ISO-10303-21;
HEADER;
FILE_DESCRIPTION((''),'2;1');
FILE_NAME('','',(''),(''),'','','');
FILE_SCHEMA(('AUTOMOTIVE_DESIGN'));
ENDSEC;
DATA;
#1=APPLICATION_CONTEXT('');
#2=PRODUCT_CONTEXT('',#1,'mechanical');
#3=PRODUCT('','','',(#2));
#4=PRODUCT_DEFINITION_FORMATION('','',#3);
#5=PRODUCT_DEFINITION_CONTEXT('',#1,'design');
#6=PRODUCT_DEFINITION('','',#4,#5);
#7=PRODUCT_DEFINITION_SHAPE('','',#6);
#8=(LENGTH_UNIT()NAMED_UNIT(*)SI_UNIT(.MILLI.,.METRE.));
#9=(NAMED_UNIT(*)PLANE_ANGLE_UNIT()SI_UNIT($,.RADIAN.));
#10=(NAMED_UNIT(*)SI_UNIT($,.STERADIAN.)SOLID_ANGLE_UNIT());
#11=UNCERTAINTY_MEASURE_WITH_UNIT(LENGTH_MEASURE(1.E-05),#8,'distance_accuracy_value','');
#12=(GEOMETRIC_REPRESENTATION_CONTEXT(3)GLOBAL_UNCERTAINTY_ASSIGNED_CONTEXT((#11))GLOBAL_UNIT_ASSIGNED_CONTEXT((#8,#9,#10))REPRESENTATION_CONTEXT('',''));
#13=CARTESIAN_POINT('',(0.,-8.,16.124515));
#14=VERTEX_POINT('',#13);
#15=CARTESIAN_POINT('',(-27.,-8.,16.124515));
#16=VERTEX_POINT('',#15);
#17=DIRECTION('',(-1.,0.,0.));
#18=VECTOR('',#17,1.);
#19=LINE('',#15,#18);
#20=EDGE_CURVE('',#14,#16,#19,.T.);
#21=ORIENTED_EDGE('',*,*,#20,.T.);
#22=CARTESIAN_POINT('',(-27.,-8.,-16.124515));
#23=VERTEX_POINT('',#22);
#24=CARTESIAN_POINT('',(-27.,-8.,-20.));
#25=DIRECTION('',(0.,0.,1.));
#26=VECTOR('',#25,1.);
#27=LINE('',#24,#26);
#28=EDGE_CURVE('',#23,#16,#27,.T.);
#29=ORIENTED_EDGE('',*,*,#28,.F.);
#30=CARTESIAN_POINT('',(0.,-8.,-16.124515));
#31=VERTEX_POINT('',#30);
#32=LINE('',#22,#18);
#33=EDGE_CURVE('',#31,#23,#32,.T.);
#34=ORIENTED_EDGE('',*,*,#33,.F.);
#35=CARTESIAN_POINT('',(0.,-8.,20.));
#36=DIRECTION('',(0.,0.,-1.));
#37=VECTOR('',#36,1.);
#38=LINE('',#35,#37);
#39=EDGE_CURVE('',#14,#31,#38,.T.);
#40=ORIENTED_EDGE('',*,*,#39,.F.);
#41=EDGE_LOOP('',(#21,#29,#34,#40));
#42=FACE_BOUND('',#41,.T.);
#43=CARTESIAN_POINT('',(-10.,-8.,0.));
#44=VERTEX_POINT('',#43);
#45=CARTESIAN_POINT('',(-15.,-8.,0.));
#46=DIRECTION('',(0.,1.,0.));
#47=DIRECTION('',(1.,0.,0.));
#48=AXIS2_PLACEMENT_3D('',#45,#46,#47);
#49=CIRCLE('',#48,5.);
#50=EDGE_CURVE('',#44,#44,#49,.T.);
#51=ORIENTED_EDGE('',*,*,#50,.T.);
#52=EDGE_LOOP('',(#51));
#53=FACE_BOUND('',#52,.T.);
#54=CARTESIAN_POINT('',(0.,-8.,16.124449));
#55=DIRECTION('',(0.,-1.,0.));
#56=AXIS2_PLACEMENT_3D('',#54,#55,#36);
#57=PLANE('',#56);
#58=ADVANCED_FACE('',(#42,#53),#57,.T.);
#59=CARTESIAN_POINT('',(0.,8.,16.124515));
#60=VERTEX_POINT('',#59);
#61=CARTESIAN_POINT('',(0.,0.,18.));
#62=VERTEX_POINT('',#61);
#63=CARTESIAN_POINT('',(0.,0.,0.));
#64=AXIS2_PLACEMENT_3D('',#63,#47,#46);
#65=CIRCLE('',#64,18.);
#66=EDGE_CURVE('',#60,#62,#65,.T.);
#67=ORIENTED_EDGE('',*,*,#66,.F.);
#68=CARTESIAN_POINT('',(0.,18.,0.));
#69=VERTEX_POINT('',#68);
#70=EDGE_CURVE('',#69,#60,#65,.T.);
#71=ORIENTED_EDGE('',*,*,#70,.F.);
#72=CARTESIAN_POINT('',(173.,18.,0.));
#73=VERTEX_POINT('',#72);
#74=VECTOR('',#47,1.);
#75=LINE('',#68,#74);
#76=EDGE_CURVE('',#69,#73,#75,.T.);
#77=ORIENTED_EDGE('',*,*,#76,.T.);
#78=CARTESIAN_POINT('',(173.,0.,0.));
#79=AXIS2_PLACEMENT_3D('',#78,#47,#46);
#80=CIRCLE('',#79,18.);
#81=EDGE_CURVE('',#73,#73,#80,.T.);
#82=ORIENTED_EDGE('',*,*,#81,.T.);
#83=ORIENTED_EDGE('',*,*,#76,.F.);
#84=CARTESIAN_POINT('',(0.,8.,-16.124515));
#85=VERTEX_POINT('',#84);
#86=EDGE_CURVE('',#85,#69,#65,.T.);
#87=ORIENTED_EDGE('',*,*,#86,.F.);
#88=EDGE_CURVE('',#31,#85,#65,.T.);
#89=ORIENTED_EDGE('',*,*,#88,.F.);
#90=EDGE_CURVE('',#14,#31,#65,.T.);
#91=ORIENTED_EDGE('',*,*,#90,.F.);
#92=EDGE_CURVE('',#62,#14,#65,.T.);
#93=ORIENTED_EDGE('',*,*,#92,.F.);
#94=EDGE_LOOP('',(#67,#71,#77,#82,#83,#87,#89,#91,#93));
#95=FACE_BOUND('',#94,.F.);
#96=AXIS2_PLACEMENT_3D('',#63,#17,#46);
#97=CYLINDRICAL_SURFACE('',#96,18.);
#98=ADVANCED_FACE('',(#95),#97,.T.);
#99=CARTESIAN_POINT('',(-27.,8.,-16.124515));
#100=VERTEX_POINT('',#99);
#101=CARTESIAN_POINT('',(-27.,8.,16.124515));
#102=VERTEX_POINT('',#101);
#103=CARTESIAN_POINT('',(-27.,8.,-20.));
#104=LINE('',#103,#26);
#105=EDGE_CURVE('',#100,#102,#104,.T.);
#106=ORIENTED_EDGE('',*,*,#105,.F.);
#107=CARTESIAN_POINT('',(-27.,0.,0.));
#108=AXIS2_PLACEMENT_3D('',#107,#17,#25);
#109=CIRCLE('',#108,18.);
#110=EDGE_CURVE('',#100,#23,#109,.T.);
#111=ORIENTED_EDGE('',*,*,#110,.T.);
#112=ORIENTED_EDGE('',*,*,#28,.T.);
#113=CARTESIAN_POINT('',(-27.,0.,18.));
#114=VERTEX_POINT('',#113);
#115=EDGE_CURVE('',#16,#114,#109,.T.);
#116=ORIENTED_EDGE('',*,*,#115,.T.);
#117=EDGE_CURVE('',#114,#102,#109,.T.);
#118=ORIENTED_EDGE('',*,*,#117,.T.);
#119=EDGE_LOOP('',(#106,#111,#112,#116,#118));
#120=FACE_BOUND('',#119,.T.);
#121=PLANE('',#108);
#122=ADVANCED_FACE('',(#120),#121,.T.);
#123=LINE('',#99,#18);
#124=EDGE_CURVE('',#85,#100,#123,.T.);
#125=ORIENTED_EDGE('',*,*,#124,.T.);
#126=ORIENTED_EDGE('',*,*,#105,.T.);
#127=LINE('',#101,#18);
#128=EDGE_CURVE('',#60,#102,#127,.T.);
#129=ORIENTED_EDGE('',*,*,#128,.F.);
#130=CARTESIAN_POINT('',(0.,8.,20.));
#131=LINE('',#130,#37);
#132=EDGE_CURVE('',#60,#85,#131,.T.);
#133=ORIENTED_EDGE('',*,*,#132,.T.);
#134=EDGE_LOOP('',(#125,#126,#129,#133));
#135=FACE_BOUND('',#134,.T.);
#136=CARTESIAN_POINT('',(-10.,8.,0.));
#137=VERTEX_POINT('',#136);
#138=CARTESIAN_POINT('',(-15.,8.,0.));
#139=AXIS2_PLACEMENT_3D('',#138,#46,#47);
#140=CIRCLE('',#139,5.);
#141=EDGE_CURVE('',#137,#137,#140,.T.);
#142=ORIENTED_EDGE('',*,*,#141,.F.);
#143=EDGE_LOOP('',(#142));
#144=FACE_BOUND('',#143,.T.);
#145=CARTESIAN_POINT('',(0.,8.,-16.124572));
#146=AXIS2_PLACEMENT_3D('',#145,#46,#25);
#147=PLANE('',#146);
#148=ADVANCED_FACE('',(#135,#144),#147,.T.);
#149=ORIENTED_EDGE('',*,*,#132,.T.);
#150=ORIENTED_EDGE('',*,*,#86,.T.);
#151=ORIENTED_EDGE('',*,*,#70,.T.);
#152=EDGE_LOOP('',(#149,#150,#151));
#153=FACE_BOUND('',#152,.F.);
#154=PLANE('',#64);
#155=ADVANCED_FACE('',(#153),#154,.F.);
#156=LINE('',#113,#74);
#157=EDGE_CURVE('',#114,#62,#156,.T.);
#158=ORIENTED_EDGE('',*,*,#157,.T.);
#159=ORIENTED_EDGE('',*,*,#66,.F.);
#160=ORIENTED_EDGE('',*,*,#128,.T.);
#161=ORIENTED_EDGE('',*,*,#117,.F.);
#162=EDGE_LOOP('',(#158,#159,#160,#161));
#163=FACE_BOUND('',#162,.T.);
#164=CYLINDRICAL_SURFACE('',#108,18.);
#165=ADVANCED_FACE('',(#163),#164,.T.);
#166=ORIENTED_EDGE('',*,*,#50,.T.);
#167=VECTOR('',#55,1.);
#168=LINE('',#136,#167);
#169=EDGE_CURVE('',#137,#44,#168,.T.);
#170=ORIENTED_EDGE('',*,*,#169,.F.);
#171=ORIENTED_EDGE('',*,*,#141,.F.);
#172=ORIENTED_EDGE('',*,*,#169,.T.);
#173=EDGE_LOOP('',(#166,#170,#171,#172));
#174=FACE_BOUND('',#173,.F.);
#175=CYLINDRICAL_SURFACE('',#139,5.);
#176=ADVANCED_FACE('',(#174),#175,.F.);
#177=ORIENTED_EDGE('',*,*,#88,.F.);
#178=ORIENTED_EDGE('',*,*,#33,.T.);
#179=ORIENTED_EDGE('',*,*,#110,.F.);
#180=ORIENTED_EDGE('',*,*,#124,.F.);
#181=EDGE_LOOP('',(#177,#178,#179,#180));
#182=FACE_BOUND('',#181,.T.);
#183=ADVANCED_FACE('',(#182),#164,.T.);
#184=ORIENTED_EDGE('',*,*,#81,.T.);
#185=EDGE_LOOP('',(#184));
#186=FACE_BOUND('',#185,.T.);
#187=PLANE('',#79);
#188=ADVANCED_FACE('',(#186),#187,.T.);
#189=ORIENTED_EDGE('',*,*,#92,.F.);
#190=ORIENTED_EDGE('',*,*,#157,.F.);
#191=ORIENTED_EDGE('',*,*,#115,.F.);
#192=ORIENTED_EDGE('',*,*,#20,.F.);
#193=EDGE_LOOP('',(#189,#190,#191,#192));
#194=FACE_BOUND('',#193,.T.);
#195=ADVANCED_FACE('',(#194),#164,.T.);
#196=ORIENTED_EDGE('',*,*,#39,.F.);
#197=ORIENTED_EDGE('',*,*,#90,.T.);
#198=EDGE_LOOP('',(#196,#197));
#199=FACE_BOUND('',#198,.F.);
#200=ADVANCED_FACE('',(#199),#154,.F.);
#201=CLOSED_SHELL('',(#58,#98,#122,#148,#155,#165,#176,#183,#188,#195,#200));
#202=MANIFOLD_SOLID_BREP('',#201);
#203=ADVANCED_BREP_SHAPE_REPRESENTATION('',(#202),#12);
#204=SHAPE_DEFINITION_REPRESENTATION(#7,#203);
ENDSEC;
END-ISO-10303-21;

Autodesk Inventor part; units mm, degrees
ref_plane "YZ Plane" through (0, 0, 0) normal (1, 0, 0) x (0, 1, 0)
ref_plane "XZ Plane" through (0, 0, 0) normal (0, 1, 0) x (-1, 0, 0)
ref_plane "XY Plane" through (0, 0, 0) normal (0, 0, 1) x (1, 0, 0)
sketch "Sketch1" plane through (0, 0, 0) normal (1, 0, 0) x (0, 1, 0)
  circle A0 centre (0, 0) radius 18
  dimension "d0" = 36
extrude "Extrusion1" add sketch "Sketch1" along normal blind 173
sketch "Sketch2" plane through (0, 0, 0) normal (-1, 0, 0) x (0, 0, 1)
  line L0 (20, -8) -> (-20, -8)
  line L1 (-20, -8) -> (-20, 8)
  line L2 (-20, 8) -> (20, 8)
  line L3 (20, 8) -> (20, -8)
  line L4 (20, -8) -> (-20, 8) construction
  line L5 (-20, -8) -> (20, 8) construction
  circle A0 centre (0, 0) radius 18 projected
  arc A1 (-16.1245, -8) -> (-17.098, -5.6266) centre (0, 0) ccw
  dimension "d3" = 40
  dimension "d5" = 16
extrude "Extrusion2" add sketch "Sketch2" along normal blind 27 contours A0 L2 L0 | L0 L1 L2 A0 | A0 L2 L3 L0
sketch "Sketch3" plane through (-27, 0, 0) normal (-1, 0, 0) x (0, 0, 1)
  circle A0 centre (0, 0) radius 18
  circle A1 centre (0, 0) radius 50
  dimension "d8" = 36
  dimension "d9" = 100
extrude "Extrusion3" cut sketch "Sketch3" against normal blind 27
sketch "Sketch4" plane through (0, 8, 16.1245) normal (0, 1, 0) x (1, 0, 0)
  circle A0 centre (-15, 16.1245) radius 5
  line L0 (-27, 0) -> (0, 0) projected
  line L1 (-27, 0) -> (-27, 32.249) projected
  point P0 (0, 16.1245)
  dimension "d12" = 10
  dimension "d13" = 16.1245
  dimension "d14" = 12
extrude "Extrusion4" cut sketch "Sketch4" against normal blind 16
properties part number "MSAL 32 50 Stand In"
